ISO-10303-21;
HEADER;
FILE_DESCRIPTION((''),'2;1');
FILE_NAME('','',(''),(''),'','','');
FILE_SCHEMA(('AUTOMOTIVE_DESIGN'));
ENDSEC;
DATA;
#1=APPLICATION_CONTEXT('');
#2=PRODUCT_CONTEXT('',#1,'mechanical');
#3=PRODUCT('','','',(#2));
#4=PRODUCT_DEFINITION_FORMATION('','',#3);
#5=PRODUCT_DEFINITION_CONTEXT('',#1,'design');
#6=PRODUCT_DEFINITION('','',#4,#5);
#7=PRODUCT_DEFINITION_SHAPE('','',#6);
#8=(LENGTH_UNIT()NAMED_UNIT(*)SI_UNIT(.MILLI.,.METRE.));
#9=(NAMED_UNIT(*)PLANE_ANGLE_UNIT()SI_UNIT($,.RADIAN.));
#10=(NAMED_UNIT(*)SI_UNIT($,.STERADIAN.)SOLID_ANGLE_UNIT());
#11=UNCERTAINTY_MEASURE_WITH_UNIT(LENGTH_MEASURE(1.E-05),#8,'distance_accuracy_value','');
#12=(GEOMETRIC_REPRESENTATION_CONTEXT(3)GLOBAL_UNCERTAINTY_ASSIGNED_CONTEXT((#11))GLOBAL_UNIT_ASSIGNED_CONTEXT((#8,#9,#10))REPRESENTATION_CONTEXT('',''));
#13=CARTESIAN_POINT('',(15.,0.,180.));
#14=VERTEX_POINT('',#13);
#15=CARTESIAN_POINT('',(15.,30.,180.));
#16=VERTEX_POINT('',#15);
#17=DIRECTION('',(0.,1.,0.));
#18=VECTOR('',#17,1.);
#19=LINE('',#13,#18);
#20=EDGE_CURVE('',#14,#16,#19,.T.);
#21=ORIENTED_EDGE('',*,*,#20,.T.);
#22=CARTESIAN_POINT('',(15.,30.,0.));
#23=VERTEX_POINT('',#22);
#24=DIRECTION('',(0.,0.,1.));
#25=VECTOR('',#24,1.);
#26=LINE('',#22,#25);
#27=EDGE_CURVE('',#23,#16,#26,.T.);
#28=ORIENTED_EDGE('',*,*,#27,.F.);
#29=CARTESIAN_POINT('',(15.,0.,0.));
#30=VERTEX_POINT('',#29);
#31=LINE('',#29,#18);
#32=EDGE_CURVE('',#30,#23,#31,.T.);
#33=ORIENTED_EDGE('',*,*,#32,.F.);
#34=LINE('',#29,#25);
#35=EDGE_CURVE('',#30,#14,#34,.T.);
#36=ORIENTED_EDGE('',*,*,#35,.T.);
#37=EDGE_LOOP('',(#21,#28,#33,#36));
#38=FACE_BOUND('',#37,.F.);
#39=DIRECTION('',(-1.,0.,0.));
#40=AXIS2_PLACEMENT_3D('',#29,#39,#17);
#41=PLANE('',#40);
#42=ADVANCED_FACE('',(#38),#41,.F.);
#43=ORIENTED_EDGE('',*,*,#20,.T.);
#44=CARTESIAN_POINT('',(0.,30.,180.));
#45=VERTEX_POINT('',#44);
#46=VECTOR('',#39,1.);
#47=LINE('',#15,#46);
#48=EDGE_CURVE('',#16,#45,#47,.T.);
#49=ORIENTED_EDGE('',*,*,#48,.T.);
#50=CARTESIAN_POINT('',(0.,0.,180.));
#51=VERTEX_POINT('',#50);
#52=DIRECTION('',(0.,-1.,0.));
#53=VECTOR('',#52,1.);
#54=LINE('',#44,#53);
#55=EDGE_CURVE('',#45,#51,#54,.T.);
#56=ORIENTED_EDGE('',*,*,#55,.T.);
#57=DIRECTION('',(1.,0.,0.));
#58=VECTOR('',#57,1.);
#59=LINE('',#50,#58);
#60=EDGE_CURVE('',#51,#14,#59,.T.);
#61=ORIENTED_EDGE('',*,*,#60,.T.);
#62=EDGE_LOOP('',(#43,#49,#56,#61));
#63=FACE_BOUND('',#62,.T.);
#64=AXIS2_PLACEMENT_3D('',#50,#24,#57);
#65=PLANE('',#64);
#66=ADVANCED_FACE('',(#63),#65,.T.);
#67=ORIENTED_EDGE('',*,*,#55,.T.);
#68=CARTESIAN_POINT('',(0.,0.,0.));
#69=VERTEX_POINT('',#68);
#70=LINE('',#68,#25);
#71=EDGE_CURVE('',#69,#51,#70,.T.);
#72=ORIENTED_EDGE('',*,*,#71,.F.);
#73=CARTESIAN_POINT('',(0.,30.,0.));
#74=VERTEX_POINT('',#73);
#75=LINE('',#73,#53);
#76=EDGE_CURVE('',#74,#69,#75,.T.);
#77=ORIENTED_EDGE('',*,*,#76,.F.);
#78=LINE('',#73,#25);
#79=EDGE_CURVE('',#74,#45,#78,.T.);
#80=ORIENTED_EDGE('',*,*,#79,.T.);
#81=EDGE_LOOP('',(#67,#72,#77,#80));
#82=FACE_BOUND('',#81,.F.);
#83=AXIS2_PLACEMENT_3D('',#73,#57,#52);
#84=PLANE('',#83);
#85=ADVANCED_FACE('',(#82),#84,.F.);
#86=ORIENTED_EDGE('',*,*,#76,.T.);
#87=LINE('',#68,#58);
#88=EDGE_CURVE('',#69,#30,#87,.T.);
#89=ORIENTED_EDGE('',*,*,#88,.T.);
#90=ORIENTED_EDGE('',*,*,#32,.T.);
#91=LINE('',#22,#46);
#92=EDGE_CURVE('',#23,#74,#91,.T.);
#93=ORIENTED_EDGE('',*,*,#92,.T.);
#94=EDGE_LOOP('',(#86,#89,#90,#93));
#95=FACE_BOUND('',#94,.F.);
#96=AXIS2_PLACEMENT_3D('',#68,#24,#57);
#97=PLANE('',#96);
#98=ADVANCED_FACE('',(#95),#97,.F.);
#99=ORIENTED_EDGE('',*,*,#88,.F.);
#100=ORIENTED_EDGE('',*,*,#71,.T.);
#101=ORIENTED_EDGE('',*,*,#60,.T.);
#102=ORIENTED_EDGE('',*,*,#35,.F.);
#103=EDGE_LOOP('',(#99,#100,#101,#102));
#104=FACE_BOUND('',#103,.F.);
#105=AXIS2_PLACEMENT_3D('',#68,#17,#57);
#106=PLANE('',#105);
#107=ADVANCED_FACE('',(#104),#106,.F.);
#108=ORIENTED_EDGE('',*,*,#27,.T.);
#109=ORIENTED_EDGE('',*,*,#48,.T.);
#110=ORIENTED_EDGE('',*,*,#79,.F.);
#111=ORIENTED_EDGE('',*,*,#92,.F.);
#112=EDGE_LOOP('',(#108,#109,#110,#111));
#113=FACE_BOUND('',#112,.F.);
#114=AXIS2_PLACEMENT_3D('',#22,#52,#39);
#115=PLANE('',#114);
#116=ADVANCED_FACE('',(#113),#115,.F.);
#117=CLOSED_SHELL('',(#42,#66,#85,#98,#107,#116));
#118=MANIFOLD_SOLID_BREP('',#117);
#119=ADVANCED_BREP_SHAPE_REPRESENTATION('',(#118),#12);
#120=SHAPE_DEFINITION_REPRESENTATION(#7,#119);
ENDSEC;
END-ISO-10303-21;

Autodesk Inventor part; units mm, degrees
ref_plane "YZ Plane" through (0, 0, 0) normal (1, 0, 0) x (0, 1, 0)
ref_plane "XZ Plane" through (0, 0, 0) normal (0, 1, 0) x (-1, 0, 0)
ref_plane "XY Plane" through (0, 0, 0) normal (0, 0, 1) x (1, 0, 0)
sketch "スケッチ1" plane through (0, 0, 0) normal (0, 0, 1) x (1, 0, 0)
  line L0 (0, 0) -> (15, 0)
  line L1 (15, 0) -> (15, 30)
  line L2 (15, 30) -> (0, 30)
  line L3 (0, 30) -> (0, 0)
  dimension "d0" = 15
  dimension "d1" = 30
extrude "押し出し1" add sketch "スケッチ1" along normal blind 180
properties part number "NHK_t0_13"
